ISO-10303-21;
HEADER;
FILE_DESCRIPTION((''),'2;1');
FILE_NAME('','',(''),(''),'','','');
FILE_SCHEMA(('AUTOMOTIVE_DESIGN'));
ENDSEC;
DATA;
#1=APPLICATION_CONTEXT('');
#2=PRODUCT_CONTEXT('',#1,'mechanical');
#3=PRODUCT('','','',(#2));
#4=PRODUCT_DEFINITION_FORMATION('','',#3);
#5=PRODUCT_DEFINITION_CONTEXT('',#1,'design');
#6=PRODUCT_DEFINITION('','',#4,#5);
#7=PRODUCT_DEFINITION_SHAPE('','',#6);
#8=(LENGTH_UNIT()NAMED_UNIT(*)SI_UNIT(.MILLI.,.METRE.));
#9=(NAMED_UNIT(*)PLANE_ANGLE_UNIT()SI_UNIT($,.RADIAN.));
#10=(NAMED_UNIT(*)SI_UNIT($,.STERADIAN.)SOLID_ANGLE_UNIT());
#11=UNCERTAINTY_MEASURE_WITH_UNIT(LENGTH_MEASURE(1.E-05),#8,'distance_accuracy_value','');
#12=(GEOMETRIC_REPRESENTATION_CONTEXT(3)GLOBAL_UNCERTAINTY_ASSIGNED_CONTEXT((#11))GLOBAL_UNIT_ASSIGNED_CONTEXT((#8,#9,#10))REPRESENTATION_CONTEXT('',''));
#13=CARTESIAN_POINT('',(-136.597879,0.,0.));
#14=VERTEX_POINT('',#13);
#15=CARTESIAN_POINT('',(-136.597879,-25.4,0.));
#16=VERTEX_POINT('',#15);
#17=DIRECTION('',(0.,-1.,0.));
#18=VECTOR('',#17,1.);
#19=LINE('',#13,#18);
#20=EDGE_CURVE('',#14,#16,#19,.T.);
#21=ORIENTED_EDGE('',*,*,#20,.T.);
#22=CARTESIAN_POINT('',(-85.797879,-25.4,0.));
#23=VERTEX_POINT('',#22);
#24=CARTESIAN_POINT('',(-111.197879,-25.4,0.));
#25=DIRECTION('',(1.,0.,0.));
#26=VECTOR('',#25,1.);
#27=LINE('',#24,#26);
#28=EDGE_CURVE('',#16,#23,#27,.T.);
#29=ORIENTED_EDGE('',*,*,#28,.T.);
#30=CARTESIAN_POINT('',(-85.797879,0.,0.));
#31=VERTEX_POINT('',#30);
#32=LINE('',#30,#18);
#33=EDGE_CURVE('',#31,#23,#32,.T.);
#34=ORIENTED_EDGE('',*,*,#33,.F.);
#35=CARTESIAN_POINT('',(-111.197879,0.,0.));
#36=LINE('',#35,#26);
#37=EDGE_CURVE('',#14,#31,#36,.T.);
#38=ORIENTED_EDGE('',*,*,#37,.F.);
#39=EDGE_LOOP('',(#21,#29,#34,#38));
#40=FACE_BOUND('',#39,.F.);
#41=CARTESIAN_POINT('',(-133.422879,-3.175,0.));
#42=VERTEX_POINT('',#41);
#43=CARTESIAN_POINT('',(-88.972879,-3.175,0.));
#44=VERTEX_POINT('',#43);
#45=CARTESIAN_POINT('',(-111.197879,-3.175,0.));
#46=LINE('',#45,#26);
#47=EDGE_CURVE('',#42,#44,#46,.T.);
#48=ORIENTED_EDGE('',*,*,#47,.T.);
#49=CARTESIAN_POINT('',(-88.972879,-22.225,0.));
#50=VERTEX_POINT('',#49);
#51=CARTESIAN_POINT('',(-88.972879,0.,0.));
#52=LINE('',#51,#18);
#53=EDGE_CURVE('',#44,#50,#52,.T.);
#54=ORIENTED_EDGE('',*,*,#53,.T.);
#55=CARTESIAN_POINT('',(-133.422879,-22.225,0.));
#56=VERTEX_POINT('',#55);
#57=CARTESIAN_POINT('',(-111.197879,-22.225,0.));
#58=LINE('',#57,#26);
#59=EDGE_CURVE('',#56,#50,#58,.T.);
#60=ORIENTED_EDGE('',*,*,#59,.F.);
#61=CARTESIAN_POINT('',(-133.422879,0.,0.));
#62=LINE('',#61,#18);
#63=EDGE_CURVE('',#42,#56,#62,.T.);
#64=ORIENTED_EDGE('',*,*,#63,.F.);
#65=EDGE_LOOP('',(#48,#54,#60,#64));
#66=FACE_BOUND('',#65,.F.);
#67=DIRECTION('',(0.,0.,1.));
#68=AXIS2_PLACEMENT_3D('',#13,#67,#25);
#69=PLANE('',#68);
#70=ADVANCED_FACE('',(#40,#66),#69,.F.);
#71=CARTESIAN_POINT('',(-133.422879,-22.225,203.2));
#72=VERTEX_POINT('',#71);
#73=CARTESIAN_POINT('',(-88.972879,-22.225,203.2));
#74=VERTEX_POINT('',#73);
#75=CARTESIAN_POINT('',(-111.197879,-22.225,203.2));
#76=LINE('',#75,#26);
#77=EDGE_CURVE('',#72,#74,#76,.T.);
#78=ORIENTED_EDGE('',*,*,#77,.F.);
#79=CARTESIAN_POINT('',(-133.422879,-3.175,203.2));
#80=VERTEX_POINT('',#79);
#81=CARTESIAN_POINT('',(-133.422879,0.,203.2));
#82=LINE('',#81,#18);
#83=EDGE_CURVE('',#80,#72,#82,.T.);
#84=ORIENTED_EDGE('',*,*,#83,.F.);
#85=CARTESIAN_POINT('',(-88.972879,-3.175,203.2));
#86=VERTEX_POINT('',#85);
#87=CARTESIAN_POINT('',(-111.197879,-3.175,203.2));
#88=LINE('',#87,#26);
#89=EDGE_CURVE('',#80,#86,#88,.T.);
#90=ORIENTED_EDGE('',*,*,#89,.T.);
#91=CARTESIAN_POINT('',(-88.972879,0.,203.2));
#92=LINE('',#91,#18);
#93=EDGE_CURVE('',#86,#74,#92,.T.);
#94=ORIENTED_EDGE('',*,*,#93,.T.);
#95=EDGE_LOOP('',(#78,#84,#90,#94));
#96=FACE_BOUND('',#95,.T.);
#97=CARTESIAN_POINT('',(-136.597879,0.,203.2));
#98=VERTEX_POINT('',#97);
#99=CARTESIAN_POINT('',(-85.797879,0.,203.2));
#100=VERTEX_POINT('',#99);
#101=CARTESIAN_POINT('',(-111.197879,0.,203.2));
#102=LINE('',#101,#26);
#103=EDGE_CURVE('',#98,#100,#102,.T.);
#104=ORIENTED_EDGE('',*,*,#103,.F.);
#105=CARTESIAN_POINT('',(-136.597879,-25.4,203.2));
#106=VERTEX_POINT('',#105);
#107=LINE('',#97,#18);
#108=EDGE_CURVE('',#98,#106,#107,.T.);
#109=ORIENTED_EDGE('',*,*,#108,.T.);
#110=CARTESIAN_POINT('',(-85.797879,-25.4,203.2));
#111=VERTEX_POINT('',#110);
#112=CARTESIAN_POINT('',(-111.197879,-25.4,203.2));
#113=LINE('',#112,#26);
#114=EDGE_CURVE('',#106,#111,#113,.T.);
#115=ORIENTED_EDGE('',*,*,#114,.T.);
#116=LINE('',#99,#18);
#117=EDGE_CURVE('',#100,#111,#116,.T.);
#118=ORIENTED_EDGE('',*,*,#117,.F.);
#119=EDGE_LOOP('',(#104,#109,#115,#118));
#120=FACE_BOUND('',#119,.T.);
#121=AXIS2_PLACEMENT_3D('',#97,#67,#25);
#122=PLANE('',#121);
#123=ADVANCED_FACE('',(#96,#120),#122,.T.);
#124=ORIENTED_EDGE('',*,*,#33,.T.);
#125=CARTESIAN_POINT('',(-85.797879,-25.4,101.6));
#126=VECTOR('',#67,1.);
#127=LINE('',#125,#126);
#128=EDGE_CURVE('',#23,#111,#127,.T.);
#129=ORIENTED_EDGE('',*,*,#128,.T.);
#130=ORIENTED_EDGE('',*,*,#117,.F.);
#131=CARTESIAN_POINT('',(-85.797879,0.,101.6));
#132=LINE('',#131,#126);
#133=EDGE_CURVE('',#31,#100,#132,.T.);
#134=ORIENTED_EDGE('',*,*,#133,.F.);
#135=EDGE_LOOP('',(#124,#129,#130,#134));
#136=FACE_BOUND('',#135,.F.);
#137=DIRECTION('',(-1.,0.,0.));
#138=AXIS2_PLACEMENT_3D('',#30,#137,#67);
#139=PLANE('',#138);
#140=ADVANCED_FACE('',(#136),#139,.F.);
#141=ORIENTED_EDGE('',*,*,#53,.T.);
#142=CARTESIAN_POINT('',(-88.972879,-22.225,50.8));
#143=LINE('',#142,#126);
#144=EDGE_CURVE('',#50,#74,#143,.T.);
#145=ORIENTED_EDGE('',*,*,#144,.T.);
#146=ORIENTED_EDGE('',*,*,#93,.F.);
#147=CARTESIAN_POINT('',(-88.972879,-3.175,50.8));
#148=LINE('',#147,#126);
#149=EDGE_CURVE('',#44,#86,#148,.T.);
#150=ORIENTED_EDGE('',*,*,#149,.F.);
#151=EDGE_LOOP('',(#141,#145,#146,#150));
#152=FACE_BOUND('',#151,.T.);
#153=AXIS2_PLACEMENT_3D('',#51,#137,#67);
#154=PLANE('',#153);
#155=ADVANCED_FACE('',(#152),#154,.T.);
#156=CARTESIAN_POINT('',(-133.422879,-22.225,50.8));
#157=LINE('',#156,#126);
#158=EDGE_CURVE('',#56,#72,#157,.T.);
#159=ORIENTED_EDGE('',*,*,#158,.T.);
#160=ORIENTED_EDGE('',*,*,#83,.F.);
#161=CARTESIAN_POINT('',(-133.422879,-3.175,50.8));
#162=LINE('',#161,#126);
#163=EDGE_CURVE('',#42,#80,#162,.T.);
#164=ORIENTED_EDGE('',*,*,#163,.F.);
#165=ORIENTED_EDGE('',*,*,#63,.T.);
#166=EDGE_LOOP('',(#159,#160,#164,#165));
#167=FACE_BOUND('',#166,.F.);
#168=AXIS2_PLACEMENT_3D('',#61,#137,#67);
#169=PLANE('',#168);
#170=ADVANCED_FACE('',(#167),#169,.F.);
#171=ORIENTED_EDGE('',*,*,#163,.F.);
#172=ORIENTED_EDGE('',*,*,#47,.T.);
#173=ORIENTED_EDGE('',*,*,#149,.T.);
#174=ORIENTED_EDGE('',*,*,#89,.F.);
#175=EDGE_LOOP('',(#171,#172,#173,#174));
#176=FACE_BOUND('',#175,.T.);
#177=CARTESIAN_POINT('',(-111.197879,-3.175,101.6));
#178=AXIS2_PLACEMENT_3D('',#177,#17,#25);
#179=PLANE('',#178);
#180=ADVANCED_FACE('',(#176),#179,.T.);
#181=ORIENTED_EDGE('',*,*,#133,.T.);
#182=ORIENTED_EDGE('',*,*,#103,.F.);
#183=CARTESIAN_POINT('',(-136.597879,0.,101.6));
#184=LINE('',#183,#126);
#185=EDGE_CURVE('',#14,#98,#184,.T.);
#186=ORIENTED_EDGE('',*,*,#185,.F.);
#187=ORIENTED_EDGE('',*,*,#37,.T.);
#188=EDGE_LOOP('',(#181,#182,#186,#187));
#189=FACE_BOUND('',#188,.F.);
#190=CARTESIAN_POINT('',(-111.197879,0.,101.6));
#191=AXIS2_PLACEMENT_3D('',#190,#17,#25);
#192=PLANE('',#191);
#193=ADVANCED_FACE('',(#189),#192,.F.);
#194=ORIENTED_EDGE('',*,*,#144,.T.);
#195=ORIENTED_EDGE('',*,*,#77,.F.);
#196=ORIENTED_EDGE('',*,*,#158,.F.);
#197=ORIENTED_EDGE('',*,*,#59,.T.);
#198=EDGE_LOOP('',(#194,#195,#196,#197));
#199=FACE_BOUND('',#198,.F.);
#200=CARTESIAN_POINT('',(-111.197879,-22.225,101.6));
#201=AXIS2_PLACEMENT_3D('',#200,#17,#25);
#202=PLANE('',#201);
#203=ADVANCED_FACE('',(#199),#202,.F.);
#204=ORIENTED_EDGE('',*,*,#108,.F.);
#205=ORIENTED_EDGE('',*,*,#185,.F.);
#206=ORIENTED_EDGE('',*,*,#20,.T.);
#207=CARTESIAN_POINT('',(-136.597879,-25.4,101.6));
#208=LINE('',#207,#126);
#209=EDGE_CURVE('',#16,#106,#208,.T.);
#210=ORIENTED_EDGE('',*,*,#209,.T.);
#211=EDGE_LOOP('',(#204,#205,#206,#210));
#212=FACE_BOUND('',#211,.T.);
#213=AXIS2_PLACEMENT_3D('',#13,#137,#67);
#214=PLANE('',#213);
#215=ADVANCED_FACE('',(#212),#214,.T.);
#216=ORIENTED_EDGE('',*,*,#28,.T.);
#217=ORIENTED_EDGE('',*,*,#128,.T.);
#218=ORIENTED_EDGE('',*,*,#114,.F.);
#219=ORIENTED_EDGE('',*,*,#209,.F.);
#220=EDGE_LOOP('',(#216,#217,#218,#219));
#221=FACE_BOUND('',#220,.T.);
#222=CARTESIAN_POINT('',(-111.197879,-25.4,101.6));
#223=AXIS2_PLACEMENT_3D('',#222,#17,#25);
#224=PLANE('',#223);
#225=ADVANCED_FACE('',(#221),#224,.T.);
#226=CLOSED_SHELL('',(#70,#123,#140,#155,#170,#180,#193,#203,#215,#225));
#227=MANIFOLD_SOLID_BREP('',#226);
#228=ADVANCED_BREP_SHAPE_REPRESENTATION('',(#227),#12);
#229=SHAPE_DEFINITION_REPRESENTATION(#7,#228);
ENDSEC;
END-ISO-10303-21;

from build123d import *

# Parameters (mm, degrees)
F0_W     = 50.8
F0_H     = 203.2
F1_DEPTH = 25.4
F2_T     = -3.175


with BuildPart() as f1:
    # F0 (on Front) → F1 (new body)
    with BuildSketch(Plane.XZ):
        with Locations((-111.197879, 101.6)):
            Rectangle(F0_W, F0_H)
    extrude(amount=F1_DEPTH)

    # F2
    f2_openings = [f1.faces().sort_by_distance(p)[0] for p in [
        (-111.197879, -12.7, 203.2),
        (-111.197879, -12.7, 0),
    ]]
    offset(amount=F2_T, openings=f2_openings)


solid = f1.part
